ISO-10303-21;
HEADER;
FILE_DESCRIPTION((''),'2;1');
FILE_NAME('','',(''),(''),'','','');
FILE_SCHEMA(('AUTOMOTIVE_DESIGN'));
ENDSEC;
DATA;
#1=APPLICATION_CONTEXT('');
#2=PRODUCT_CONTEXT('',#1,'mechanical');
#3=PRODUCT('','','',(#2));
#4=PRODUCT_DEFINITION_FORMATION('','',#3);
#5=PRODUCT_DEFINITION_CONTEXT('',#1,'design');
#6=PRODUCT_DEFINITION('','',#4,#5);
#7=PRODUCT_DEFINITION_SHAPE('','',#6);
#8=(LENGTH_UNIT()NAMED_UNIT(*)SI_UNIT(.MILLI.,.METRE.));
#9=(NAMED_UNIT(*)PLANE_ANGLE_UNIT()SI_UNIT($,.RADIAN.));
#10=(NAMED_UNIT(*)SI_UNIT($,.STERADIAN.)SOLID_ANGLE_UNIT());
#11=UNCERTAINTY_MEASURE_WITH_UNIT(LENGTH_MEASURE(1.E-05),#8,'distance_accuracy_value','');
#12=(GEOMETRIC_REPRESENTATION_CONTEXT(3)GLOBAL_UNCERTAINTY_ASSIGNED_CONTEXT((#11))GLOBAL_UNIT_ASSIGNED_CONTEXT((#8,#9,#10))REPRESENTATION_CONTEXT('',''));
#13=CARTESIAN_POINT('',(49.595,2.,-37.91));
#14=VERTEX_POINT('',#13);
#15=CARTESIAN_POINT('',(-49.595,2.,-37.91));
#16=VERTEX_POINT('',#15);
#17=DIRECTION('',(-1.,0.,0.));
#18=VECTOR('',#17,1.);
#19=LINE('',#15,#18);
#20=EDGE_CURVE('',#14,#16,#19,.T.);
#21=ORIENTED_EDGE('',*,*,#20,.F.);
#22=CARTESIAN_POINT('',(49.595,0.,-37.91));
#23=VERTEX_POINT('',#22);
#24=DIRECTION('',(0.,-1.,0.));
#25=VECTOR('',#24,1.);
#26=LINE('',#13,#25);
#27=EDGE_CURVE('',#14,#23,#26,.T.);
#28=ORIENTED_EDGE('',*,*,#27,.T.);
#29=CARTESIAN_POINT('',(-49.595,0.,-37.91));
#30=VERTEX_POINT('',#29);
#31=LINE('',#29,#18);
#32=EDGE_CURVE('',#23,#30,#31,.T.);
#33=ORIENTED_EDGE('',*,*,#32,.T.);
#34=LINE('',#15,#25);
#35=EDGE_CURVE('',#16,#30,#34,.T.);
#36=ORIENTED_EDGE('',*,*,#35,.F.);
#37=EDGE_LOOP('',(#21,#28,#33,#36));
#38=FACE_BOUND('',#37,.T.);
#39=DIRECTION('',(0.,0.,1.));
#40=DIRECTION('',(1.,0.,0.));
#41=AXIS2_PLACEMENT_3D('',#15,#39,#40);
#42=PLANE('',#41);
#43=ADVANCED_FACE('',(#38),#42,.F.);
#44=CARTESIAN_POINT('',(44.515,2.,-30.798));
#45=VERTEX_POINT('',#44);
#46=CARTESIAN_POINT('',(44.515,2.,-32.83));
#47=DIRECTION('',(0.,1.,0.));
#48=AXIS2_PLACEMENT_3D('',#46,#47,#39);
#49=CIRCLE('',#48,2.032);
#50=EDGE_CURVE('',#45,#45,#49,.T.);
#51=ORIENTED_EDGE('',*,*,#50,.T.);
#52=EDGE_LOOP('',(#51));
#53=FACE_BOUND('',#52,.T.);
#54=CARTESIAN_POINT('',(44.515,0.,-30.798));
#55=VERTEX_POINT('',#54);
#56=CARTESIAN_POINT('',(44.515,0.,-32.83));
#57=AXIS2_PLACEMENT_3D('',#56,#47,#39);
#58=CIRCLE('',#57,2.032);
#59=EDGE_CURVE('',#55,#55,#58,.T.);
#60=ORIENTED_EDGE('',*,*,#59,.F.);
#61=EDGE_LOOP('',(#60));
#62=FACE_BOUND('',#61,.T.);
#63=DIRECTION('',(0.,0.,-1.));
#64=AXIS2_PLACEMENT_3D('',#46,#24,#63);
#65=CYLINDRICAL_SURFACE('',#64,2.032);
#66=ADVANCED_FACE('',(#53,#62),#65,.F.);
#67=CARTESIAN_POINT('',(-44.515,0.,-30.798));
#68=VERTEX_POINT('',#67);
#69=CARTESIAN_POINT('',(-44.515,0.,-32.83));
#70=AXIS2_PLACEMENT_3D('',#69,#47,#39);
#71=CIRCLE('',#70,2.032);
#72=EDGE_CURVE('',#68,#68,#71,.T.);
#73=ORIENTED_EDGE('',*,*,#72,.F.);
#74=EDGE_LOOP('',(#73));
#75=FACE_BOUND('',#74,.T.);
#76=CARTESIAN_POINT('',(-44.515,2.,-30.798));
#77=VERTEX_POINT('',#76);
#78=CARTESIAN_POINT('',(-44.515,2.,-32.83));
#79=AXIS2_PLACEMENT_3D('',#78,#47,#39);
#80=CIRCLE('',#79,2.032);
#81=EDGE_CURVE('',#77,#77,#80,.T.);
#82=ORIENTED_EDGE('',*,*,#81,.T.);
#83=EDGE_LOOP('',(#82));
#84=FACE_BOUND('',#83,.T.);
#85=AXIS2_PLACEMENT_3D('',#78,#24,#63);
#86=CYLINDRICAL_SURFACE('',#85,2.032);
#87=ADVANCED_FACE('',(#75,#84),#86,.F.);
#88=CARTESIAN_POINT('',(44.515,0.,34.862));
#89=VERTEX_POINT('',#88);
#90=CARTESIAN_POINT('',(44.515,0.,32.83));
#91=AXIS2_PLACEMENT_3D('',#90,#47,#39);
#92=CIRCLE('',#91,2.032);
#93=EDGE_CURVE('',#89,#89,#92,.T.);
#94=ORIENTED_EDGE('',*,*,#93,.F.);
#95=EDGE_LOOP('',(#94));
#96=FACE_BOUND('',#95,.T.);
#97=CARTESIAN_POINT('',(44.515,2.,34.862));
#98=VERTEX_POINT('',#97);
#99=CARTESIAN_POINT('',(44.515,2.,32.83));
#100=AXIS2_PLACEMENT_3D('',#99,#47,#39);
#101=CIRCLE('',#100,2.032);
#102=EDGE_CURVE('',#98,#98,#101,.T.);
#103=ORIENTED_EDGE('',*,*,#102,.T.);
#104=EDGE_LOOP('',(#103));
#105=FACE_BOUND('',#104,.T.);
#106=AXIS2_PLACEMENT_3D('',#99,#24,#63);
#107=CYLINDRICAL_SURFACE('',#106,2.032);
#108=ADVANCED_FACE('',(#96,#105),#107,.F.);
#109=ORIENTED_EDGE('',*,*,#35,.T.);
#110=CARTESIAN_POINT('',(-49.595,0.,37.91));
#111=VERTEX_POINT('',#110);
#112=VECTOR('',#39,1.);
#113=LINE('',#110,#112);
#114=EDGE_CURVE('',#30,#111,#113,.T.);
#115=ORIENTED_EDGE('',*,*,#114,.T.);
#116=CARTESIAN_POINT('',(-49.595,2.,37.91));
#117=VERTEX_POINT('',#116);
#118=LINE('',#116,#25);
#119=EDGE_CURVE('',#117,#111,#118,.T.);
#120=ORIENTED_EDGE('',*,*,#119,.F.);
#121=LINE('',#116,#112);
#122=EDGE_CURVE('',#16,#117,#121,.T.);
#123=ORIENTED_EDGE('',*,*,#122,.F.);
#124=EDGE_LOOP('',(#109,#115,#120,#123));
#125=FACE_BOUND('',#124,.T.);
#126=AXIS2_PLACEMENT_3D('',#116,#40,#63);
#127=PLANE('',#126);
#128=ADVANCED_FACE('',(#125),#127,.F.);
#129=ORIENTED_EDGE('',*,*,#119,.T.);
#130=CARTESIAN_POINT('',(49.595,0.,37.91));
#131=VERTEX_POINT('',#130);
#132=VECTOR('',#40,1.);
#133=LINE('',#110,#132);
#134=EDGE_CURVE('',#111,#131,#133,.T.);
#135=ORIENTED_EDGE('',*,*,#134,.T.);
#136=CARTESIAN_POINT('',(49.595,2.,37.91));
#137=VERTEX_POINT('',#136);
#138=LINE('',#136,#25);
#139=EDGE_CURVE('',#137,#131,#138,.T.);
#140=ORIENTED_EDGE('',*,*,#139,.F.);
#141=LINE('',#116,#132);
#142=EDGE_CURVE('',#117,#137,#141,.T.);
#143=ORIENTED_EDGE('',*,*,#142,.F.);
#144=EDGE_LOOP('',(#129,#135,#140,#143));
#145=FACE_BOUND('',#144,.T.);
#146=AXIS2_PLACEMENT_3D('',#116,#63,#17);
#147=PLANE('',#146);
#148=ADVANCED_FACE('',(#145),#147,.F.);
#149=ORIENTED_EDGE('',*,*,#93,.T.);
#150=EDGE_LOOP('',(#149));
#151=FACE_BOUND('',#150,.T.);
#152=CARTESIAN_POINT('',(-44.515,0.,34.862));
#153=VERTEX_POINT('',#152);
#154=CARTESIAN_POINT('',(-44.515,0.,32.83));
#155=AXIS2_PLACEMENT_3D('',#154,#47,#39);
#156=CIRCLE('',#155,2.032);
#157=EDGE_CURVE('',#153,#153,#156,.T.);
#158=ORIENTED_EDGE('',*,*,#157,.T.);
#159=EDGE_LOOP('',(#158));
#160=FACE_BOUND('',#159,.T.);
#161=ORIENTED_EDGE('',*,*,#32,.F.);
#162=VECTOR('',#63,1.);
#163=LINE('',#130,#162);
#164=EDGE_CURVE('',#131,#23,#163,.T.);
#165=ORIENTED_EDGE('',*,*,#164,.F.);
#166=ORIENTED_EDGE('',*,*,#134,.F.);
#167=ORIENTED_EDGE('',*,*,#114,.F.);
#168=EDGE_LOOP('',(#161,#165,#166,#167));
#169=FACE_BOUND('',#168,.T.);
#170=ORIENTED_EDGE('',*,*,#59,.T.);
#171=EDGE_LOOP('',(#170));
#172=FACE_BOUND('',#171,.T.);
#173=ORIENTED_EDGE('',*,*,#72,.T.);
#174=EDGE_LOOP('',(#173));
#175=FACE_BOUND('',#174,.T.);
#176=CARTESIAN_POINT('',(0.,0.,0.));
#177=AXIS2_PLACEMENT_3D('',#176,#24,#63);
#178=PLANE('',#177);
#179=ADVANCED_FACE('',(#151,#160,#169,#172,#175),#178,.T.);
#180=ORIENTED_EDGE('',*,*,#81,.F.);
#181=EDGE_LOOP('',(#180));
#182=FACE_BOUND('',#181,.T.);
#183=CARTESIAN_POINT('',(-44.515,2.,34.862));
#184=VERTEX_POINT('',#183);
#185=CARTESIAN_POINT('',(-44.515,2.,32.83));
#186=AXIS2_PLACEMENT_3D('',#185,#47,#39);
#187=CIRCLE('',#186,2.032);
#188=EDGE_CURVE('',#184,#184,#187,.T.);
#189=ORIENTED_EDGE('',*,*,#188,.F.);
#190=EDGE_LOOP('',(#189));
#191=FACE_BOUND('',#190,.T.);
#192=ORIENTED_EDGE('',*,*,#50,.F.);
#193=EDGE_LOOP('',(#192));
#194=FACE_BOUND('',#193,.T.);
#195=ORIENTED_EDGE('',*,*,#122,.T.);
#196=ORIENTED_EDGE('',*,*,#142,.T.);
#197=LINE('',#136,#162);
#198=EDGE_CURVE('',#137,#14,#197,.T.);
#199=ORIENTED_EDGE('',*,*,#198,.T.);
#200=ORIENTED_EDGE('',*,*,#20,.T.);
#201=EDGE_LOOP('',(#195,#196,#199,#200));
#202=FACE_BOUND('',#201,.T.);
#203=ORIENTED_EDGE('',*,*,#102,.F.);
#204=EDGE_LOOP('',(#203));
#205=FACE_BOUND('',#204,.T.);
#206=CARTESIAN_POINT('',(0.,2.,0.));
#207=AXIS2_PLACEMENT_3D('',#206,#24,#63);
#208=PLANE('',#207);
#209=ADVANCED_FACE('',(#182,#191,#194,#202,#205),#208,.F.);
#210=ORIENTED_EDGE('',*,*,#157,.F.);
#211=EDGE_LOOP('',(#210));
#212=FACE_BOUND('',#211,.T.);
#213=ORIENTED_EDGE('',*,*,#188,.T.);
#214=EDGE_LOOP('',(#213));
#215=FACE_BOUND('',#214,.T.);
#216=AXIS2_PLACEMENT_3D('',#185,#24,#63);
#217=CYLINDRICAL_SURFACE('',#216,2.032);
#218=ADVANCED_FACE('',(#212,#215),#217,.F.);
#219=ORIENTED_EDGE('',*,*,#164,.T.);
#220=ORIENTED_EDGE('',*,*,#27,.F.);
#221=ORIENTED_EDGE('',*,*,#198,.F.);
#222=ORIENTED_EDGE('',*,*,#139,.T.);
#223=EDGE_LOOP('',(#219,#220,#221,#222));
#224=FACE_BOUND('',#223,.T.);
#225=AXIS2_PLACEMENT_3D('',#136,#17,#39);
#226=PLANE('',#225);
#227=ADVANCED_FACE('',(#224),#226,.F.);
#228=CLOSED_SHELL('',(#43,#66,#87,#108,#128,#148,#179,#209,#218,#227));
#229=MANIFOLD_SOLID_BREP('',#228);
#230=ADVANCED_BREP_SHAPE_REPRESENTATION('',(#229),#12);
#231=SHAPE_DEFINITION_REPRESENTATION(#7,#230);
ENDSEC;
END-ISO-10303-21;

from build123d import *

# Parameters (mm, degrees)
SKETCH1_W           = 99.189999994
SKETCH1_H           = 75.819999998
SKETCH1_R           = 2.032
BOSS_EXTRUDE1_DEPTH = 2.000000064


with BuildPart() as part:
    # Sketch1 → Boss-Extrude1 (new body)
    with BuildSketch(Plane(origin=(0, 0, 0), x_dir=(1, 0, 0), z_dir=(0, 1, 0))):
        Rectangle(SKETCH1_W, SKETCH1_H)
        with Locations(Location((-44.514999997, -32.829999999, 0), (0, 0, 270))):
            Circle(SKETCH1_R, mode=Mode.SUBTRACT)
        with Locations(Location((44.514999997, -32.829999999, 0), (0, 0, 270))):
            Circle(SKETCH1_R, mode=Mode.SUBTRACT)
        with Locations(Location((44.514999997, 32.829999999, 0), (0, 0, 270))):
            Circle(SKETCH1_R, mode=Mode.SUBTRACT)
        with Locations(Location((-44.514999997, 32.829999999, 0), (0, 0, 270))):
            Circle(SKETCH1_R, mode=Mode.SUBTRACT)
    extrude(amount=BOSS_EXTRUDE1_DEPTH)


solid = part.part
